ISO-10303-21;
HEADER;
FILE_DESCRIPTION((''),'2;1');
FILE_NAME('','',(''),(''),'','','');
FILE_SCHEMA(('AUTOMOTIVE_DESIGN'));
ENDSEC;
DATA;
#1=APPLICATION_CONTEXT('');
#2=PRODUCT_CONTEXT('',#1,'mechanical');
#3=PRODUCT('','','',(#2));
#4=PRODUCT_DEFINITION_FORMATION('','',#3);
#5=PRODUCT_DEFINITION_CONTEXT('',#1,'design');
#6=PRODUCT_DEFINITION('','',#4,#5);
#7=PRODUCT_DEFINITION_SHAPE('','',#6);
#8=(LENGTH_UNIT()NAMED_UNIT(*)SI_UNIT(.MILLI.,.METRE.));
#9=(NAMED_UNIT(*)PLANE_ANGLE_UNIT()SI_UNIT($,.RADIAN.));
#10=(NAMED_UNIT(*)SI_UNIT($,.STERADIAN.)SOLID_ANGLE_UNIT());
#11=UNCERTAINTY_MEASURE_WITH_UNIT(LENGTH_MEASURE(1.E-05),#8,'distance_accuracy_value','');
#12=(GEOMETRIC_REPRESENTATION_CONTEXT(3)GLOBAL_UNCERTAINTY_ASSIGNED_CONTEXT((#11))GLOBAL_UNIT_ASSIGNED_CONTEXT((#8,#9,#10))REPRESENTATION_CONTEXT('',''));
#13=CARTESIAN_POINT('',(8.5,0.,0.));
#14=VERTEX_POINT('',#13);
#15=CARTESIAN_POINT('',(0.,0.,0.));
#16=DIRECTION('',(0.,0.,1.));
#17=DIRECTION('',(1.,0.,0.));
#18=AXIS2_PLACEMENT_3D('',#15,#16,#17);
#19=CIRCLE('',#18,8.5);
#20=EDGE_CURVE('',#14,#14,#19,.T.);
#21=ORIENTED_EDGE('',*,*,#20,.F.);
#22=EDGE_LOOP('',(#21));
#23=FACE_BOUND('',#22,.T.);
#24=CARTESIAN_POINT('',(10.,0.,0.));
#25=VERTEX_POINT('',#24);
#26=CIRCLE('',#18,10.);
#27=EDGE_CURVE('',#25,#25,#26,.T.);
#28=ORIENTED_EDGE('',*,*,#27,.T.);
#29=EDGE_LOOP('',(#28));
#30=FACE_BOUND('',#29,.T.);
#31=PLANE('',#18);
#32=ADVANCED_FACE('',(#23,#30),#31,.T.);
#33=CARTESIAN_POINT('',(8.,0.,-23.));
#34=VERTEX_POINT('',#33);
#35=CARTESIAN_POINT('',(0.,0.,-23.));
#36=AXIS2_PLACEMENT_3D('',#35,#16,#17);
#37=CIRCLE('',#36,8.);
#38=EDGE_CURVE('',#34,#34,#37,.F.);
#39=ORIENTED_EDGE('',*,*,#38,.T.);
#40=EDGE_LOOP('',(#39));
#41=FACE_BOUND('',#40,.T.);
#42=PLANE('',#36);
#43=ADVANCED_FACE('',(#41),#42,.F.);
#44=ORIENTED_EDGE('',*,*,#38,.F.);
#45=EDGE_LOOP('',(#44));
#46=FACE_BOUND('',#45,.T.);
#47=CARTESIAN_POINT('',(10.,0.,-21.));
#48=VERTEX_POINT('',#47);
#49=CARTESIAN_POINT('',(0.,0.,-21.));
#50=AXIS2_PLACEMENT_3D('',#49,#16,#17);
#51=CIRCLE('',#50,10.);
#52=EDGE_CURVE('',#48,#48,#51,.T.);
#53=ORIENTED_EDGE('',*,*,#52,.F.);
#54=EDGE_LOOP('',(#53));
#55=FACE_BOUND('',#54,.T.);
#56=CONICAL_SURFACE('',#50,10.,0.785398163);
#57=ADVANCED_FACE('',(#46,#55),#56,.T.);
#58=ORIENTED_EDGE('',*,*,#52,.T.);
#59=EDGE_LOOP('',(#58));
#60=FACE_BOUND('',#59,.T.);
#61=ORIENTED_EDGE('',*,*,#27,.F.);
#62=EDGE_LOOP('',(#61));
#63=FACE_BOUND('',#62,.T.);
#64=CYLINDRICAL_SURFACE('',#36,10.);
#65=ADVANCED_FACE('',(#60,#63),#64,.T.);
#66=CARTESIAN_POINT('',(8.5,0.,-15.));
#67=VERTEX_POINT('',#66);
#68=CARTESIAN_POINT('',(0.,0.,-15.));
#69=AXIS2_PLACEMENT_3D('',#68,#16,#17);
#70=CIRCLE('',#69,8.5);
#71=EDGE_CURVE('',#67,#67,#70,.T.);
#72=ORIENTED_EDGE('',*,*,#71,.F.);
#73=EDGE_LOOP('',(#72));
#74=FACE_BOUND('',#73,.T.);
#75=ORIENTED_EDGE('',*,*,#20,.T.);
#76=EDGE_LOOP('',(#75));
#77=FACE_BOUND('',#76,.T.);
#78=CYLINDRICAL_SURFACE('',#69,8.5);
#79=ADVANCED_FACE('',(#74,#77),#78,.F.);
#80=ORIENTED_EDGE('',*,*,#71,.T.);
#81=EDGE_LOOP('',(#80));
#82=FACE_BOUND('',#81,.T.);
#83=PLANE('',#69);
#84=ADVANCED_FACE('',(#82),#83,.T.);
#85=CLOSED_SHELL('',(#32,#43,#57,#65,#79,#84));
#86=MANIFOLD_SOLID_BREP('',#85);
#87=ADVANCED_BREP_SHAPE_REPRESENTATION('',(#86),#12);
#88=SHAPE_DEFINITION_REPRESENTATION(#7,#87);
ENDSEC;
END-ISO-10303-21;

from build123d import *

# Parameters (mm, degrees)
CROQUIS1_R              = 10
SALIENTE_EXTRUIR1_DEPTH = 23
CHAFL_N1_SIZE           = 2
CROQUIS2_R              = 8.5
CORTAR_EXTRUIR1_DEPTH   = 15


with BuildPart() as part:
    # Croquis1 → Saliente-Extruir1 (new body)
    with BuildSketch(Plane.XY):
        Circle(CROQUIS1_R)
    extrude(amount=-SALIENTE_EXTRUIR1_DEPTH)

    # Chaflán1
    chafl_n1_edges = [part.edges().sort_by_distance(p)[0] for p in [
        (-10, 0, -23),
    ]]
    chamfer(chafl_n1_edges, length=CHAFL_N1_SIZE)

    # Croquis2 → Cortar-Extruir1 (cut)
    with BuildSketch(Plane.XY):
        Circle(CROQUIS2_R)
    extrude(amount=-CORTAR_EXTRUIR1_DEPTH, mode=Mode.SUBTRACT)


solid = part.part
